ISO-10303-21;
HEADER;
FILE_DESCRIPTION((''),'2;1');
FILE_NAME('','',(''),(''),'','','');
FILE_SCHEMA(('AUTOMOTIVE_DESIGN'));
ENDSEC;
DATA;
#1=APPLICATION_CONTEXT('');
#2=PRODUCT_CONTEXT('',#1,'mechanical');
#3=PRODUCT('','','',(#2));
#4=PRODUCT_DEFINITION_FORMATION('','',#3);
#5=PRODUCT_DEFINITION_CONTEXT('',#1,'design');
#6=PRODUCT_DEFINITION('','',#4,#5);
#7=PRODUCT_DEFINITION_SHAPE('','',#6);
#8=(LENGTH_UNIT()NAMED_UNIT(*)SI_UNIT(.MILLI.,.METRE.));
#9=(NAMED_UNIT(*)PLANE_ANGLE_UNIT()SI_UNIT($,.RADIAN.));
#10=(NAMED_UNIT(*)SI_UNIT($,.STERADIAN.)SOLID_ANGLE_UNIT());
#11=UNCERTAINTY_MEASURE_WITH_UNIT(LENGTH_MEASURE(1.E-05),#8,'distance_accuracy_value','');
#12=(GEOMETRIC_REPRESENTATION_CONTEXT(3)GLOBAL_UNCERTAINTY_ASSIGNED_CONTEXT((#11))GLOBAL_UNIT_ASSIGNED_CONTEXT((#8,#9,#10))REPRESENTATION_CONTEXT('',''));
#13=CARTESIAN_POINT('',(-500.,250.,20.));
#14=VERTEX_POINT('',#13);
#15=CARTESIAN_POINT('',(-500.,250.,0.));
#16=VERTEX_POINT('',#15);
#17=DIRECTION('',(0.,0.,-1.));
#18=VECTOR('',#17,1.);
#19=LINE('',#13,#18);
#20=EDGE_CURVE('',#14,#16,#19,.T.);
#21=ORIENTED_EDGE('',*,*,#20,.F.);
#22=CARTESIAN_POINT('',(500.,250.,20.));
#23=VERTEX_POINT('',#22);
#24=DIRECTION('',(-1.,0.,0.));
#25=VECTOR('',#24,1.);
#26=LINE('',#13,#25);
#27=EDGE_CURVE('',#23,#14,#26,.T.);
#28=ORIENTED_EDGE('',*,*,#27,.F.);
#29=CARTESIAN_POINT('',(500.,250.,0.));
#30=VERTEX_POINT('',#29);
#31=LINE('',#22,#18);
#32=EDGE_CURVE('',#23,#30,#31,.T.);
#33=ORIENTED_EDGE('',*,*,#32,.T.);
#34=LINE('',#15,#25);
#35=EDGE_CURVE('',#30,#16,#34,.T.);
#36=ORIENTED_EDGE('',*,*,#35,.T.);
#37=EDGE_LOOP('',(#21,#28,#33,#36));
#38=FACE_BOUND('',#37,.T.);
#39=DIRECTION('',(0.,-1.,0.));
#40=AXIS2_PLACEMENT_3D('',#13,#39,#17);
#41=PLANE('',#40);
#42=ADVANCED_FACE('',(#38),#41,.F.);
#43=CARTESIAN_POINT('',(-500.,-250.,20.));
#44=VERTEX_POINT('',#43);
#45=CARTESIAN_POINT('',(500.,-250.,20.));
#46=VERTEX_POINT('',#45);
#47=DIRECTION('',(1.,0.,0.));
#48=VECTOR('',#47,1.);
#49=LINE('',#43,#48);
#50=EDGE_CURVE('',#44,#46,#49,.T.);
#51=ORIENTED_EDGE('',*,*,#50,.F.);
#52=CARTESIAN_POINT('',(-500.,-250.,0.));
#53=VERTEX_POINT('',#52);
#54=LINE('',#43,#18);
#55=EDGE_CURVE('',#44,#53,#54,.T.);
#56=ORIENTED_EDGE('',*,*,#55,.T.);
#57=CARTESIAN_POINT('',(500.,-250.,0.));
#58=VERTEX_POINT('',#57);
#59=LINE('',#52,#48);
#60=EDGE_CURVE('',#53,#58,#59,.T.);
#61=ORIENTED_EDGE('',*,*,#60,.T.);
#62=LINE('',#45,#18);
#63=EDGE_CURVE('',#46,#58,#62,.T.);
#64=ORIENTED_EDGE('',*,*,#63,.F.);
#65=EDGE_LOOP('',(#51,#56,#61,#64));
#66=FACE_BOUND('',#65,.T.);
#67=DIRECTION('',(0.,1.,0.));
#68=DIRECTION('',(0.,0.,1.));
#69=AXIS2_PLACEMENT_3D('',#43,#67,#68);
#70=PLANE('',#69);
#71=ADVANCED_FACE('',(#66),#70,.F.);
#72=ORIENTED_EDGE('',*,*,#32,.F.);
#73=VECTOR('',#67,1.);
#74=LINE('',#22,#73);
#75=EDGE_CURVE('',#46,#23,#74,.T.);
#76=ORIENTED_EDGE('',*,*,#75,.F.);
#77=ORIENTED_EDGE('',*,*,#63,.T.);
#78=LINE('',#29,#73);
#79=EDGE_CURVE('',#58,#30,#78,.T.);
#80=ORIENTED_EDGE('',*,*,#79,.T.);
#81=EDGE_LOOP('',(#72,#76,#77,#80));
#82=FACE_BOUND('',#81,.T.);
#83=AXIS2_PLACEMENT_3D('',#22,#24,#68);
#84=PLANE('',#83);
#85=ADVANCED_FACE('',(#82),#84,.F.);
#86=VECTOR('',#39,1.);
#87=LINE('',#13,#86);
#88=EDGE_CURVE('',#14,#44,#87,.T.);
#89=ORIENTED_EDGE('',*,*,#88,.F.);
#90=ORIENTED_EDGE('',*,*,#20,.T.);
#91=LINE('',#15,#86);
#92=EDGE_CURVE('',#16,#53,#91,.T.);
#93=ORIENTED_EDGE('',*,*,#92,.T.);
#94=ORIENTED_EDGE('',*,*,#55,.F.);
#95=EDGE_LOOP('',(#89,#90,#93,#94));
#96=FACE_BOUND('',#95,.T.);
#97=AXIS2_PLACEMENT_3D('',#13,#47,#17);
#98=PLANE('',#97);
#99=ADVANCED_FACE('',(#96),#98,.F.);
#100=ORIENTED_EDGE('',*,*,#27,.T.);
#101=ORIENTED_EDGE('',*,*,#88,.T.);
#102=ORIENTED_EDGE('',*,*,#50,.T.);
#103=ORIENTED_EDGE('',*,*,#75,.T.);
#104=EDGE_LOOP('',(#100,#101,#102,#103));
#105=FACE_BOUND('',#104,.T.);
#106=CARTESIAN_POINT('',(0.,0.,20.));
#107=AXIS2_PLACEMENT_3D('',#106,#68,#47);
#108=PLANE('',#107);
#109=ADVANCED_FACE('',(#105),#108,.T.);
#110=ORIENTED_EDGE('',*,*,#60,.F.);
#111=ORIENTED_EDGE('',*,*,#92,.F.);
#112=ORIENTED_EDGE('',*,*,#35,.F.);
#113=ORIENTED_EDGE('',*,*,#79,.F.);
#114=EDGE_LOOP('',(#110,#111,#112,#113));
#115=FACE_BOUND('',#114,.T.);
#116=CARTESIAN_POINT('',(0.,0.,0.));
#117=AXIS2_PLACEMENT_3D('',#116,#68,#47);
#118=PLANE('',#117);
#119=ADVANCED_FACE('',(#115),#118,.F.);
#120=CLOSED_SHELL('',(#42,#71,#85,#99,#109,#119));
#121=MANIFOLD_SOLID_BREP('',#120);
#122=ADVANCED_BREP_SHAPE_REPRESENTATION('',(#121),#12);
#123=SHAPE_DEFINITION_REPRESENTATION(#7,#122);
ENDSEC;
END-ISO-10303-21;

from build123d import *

# Parameters (mm, degrees)
SKETCH1_W           = 1000
SKETCH1_H           = 500
BOSS_EXTRUDE1_DEPTH = 20


with BuildPart() as part:
    # Sketch1 → Boss-Extrude1 (new body)
    with BuildSketch(Plane.XY):
        Rectangle(SKETCH1_W, SKETCH1_H)
    extrude(amount=BOSS_EXTRUDE1_DEPTH)


solid = part.part
